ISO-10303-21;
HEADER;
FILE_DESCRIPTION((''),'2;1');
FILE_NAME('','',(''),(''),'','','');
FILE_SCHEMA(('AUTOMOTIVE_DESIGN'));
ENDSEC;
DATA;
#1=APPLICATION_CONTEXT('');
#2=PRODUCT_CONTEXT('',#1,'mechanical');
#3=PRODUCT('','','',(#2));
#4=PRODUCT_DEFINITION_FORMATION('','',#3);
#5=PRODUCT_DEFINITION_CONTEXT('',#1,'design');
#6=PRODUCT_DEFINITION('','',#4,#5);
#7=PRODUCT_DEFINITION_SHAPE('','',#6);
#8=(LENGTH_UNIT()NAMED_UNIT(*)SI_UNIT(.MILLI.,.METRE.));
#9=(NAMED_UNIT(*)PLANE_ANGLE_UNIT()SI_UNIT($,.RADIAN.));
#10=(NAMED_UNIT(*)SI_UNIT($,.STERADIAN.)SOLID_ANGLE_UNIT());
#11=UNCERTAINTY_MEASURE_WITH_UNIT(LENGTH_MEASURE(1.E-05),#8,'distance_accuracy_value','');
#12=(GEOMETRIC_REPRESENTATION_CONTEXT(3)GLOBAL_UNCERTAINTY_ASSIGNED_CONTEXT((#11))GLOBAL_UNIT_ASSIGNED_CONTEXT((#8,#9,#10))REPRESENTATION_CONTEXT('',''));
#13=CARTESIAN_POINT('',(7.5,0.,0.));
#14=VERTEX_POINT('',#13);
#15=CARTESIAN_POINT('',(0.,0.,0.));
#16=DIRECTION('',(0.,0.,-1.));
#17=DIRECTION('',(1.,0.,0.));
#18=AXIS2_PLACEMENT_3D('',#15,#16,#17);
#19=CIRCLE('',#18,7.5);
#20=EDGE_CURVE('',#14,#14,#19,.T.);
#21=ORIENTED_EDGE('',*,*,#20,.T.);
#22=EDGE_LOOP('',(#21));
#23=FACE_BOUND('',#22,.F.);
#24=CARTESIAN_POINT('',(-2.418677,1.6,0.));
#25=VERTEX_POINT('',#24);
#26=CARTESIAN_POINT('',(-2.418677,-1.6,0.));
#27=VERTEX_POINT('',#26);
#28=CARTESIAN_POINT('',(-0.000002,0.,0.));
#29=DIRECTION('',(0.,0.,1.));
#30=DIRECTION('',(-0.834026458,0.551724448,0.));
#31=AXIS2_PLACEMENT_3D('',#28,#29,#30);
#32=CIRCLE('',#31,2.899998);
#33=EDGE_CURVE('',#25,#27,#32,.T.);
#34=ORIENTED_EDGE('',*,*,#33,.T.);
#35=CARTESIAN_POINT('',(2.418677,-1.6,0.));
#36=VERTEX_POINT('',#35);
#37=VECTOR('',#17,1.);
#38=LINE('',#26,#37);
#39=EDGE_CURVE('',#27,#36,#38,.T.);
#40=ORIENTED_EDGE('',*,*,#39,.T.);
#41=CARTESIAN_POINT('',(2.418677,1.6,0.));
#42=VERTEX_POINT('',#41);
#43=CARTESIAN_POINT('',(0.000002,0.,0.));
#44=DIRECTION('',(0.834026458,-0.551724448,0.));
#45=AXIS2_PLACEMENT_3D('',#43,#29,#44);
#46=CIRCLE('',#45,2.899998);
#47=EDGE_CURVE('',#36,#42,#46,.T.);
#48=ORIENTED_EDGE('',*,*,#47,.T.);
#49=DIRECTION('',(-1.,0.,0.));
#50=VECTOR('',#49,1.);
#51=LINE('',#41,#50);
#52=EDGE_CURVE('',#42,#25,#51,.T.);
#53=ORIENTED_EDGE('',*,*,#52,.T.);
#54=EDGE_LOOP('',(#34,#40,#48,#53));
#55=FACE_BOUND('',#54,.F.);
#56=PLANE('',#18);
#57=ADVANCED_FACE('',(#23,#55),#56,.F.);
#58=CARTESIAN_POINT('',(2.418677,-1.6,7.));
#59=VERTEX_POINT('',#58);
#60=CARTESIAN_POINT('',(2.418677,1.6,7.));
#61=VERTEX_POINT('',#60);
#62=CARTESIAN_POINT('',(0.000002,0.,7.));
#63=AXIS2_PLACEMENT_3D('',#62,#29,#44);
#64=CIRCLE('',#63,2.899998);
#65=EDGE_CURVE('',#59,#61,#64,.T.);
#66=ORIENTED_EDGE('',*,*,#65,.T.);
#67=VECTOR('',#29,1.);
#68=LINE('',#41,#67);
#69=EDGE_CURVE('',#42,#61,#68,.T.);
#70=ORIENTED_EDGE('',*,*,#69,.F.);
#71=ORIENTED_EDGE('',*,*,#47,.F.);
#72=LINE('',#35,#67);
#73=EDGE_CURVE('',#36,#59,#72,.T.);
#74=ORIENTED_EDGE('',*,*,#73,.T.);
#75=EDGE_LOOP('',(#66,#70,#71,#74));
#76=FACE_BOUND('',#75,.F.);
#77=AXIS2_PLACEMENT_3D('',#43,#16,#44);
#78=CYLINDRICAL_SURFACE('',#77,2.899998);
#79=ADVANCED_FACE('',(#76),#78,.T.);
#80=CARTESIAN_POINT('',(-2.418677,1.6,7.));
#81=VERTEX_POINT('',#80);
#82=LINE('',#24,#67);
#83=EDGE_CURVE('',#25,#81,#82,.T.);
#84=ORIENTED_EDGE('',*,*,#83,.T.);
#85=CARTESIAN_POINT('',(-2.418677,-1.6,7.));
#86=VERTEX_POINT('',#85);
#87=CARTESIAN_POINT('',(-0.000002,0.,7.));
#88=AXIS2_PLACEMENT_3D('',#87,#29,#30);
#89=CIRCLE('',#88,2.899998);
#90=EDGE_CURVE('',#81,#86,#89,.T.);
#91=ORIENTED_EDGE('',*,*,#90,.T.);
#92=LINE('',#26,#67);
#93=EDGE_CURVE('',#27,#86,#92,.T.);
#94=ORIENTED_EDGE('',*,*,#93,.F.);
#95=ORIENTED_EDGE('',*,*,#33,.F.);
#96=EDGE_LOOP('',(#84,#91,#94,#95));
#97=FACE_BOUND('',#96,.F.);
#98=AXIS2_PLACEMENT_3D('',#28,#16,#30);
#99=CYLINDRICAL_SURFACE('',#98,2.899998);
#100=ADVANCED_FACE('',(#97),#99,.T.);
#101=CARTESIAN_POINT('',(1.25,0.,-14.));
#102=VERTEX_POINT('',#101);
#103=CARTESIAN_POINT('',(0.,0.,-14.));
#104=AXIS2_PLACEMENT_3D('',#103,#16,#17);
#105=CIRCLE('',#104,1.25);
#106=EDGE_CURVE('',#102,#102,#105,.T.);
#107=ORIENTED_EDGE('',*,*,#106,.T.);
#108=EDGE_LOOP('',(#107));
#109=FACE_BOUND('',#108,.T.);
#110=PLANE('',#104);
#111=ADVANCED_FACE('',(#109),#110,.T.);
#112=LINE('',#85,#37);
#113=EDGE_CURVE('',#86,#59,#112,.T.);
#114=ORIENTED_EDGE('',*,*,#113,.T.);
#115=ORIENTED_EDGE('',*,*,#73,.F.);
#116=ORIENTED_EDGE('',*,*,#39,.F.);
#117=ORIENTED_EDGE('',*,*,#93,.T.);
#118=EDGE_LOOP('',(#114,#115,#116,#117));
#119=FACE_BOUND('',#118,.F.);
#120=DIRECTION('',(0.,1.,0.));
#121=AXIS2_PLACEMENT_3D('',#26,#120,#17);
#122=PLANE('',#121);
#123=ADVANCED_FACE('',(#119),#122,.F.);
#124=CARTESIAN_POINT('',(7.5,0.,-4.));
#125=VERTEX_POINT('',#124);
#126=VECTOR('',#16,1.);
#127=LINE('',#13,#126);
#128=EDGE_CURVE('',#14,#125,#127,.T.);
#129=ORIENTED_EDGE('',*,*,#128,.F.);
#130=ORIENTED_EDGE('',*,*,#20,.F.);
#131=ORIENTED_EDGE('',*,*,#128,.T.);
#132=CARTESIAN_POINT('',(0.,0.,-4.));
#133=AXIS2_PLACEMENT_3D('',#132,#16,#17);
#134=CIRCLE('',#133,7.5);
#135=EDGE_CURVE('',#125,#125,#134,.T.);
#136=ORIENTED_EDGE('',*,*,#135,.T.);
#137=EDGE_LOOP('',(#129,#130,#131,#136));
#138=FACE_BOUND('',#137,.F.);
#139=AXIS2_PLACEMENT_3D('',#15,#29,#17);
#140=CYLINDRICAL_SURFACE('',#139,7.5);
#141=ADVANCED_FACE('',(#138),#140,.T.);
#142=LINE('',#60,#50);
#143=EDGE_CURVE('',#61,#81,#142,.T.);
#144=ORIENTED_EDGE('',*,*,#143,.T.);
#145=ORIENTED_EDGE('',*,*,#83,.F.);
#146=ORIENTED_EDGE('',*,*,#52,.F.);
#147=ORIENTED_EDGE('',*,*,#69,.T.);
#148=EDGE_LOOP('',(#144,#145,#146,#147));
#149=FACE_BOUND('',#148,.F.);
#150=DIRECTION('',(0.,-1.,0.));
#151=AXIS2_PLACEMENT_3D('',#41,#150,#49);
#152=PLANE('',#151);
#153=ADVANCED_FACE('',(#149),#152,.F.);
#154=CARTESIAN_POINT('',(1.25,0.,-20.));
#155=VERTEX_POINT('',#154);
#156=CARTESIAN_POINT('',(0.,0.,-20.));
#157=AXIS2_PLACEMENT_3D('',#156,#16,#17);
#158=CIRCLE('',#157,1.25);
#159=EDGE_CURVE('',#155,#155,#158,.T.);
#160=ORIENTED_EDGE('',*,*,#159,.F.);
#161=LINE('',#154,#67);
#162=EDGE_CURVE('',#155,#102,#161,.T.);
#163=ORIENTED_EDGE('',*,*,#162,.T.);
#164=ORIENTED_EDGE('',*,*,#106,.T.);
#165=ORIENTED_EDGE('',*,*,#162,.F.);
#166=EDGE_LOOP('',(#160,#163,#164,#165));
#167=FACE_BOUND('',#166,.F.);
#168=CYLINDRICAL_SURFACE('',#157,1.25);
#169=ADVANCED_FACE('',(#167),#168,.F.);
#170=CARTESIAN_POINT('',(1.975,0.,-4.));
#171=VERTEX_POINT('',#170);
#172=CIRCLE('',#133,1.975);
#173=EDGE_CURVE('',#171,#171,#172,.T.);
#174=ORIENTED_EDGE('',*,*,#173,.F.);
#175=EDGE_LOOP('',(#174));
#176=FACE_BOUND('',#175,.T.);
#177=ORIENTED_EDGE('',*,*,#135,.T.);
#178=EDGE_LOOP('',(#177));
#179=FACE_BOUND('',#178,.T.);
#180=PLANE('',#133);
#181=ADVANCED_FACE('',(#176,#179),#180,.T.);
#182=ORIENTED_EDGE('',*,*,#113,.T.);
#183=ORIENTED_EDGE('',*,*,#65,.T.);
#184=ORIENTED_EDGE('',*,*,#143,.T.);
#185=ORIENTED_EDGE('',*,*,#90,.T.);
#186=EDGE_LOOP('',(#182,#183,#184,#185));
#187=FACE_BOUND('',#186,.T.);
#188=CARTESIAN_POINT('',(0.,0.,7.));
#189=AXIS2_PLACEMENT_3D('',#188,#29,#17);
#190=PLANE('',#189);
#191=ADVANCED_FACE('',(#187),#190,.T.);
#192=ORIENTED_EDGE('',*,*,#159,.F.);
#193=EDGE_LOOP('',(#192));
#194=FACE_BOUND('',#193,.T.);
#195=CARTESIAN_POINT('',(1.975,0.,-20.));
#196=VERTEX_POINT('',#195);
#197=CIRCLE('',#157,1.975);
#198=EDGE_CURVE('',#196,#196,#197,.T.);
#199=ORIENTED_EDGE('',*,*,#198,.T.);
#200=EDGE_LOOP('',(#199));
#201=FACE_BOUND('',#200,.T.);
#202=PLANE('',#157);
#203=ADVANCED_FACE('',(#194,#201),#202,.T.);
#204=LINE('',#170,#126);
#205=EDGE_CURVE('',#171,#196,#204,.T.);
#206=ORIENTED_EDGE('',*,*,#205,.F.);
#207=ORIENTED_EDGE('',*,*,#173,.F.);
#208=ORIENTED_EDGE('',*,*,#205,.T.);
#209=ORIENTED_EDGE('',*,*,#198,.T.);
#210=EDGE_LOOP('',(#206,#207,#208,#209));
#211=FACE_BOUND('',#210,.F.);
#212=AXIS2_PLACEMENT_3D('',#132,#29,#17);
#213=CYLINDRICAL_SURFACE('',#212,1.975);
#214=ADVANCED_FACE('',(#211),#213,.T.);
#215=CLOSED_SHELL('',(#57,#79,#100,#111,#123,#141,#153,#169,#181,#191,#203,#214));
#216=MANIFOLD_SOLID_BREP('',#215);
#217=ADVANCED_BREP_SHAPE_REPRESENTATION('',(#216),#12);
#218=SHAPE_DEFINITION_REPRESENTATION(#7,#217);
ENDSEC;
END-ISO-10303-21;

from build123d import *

# Parameters (mm, degrees)
F1_DEPTH = 7
F2_R     = 7.5
F3_DEPTH = 4
F4_R     = 1.975
F5_DEPTH = 16
F6_R     = 1.25
F7_DEPTH = 6


with BuildPart() as f1:
    # F0 (on Top) → F1 (new body)
    with BuildSketch(Plane.XY):
        with BuildLine():
            ThreePointArc((2.418677, -1.6), (2.9, 0), (2.418677, 1.6))
            Line((2.418677, 1.6), (-2.418677, 1.6))
            ThreePointArc((-2.418677, 1.6), (-2.9, 0), (-2.418677, -1.6))
            Line((-2.418677, -1.6), (2.418677, -1.6))
        make_face()
    extrude(amount=F1_DEPTH)

    # F2 (on face) → F3 (join)
    with BuildSketch(Plane(origin=(0, 0, 0), x_dir=(1, 0, 0), z_dir=(0, 0, -1))):
        Circle(F2_R)
    extrude(amount=F3_DEPTH)

    # F4 (on face) → F5 (join)
    with BuildSketch(Plane(origin=(0, 0, -4), x_dir=(1, 0, 0), z_dir=(0, 0, -1))):
        Circle(F4_R)
    extrude(amount=F5_DEPTH)

    # F6 (on face) → F7 (cut)
    with BuildSketch(Plane(origin=(0, 0, -20), x_dir=(1, 0, 0), z_dir=(0, 0, -1))):
        Circle(F6_R)
    extrude(amount=-F7_DEPTH, mode=Mode.SUBTRACT)


solid = f1.part
